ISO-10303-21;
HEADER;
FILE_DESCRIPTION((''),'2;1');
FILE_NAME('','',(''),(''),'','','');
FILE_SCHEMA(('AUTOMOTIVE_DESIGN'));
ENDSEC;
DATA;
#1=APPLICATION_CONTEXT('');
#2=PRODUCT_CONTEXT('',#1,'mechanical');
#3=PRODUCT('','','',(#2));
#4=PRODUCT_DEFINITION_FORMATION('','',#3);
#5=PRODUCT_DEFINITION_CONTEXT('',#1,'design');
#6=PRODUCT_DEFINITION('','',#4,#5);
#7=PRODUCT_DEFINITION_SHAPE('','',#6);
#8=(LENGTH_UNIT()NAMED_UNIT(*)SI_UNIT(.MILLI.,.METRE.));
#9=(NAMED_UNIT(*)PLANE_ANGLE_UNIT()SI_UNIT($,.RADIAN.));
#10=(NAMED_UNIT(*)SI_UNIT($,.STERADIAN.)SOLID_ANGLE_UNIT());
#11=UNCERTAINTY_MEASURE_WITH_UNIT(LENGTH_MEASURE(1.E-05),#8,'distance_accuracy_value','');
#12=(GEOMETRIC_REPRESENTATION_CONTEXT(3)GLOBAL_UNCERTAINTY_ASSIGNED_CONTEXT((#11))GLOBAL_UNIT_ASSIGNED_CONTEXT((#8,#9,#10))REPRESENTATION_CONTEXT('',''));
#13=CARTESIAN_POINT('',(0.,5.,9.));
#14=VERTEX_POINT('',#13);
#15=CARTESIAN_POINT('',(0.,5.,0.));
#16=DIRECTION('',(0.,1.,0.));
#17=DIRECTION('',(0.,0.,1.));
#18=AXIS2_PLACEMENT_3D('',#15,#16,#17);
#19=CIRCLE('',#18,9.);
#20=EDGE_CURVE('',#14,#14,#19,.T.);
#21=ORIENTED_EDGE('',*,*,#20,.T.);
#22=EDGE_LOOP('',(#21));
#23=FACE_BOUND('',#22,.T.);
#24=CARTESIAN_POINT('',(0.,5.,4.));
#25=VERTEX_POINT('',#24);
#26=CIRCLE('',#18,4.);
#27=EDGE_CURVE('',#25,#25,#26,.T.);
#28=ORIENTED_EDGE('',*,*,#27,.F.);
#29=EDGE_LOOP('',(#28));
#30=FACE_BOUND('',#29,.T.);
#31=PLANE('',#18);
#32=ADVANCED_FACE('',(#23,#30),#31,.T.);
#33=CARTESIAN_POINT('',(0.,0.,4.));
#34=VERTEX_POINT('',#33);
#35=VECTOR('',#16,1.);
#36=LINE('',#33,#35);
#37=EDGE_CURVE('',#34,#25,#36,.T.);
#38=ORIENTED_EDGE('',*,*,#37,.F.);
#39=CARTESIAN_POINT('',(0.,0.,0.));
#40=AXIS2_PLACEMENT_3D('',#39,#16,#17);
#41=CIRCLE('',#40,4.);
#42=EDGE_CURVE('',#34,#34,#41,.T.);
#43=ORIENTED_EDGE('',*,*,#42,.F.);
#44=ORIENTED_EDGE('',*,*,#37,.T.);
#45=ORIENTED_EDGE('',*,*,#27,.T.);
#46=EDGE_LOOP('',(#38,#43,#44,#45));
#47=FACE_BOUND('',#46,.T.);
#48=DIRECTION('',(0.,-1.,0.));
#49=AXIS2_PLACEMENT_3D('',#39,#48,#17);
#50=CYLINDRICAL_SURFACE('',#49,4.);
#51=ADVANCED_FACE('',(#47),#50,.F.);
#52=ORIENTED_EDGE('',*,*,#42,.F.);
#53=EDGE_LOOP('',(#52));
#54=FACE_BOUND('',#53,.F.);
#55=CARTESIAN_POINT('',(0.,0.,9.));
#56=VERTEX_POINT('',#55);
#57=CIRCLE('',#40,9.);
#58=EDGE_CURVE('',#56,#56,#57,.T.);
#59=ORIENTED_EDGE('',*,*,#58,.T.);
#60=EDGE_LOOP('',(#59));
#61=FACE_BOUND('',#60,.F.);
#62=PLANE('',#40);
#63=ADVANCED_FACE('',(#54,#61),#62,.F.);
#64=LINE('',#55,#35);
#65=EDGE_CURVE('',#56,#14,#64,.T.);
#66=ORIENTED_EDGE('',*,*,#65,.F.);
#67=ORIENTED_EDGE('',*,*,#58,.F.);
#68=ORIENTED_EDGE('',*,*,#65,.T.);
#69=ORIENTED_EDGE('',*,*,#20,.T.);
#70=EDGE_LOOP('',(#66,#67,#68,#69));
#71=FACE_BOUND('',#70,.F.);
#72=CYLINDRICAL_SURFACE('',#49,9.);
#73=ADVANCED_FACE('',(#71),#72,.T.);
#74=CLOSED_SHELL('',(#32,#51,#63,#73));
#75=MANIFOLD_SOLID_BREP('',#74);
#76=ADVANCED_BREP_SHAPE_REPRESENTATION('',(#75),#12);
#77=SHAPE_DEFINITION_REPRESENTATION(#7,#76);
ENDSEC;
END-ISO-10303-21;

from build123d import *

# Parameters (mm, degrees)
SKETCH_1_R      = 9
SKETCH_1_R_2    = 4
EXTRUDE_1_DEPTH = 5


with BuildPart() as part:
    # 草图1 → 拉伸1 (new body)
    with BuildSketch(Plane(origin=(0, 0, 0), x_dir=(1, 0, 0), z_dir=(0, 1, 0))):
        with Locations(Location((0, 0, 0), (0, 0, 270))):
            Circle(SKETCH_1_R)
        with Locations(Location((0, 0, 0), (0, 0, 270))):
            Circle(SKETCH_1_R_2, mode=Mode.SUBTRACT)
    extrude(amount=EXTRUDE_1_DEPTH)


solid = part.part
